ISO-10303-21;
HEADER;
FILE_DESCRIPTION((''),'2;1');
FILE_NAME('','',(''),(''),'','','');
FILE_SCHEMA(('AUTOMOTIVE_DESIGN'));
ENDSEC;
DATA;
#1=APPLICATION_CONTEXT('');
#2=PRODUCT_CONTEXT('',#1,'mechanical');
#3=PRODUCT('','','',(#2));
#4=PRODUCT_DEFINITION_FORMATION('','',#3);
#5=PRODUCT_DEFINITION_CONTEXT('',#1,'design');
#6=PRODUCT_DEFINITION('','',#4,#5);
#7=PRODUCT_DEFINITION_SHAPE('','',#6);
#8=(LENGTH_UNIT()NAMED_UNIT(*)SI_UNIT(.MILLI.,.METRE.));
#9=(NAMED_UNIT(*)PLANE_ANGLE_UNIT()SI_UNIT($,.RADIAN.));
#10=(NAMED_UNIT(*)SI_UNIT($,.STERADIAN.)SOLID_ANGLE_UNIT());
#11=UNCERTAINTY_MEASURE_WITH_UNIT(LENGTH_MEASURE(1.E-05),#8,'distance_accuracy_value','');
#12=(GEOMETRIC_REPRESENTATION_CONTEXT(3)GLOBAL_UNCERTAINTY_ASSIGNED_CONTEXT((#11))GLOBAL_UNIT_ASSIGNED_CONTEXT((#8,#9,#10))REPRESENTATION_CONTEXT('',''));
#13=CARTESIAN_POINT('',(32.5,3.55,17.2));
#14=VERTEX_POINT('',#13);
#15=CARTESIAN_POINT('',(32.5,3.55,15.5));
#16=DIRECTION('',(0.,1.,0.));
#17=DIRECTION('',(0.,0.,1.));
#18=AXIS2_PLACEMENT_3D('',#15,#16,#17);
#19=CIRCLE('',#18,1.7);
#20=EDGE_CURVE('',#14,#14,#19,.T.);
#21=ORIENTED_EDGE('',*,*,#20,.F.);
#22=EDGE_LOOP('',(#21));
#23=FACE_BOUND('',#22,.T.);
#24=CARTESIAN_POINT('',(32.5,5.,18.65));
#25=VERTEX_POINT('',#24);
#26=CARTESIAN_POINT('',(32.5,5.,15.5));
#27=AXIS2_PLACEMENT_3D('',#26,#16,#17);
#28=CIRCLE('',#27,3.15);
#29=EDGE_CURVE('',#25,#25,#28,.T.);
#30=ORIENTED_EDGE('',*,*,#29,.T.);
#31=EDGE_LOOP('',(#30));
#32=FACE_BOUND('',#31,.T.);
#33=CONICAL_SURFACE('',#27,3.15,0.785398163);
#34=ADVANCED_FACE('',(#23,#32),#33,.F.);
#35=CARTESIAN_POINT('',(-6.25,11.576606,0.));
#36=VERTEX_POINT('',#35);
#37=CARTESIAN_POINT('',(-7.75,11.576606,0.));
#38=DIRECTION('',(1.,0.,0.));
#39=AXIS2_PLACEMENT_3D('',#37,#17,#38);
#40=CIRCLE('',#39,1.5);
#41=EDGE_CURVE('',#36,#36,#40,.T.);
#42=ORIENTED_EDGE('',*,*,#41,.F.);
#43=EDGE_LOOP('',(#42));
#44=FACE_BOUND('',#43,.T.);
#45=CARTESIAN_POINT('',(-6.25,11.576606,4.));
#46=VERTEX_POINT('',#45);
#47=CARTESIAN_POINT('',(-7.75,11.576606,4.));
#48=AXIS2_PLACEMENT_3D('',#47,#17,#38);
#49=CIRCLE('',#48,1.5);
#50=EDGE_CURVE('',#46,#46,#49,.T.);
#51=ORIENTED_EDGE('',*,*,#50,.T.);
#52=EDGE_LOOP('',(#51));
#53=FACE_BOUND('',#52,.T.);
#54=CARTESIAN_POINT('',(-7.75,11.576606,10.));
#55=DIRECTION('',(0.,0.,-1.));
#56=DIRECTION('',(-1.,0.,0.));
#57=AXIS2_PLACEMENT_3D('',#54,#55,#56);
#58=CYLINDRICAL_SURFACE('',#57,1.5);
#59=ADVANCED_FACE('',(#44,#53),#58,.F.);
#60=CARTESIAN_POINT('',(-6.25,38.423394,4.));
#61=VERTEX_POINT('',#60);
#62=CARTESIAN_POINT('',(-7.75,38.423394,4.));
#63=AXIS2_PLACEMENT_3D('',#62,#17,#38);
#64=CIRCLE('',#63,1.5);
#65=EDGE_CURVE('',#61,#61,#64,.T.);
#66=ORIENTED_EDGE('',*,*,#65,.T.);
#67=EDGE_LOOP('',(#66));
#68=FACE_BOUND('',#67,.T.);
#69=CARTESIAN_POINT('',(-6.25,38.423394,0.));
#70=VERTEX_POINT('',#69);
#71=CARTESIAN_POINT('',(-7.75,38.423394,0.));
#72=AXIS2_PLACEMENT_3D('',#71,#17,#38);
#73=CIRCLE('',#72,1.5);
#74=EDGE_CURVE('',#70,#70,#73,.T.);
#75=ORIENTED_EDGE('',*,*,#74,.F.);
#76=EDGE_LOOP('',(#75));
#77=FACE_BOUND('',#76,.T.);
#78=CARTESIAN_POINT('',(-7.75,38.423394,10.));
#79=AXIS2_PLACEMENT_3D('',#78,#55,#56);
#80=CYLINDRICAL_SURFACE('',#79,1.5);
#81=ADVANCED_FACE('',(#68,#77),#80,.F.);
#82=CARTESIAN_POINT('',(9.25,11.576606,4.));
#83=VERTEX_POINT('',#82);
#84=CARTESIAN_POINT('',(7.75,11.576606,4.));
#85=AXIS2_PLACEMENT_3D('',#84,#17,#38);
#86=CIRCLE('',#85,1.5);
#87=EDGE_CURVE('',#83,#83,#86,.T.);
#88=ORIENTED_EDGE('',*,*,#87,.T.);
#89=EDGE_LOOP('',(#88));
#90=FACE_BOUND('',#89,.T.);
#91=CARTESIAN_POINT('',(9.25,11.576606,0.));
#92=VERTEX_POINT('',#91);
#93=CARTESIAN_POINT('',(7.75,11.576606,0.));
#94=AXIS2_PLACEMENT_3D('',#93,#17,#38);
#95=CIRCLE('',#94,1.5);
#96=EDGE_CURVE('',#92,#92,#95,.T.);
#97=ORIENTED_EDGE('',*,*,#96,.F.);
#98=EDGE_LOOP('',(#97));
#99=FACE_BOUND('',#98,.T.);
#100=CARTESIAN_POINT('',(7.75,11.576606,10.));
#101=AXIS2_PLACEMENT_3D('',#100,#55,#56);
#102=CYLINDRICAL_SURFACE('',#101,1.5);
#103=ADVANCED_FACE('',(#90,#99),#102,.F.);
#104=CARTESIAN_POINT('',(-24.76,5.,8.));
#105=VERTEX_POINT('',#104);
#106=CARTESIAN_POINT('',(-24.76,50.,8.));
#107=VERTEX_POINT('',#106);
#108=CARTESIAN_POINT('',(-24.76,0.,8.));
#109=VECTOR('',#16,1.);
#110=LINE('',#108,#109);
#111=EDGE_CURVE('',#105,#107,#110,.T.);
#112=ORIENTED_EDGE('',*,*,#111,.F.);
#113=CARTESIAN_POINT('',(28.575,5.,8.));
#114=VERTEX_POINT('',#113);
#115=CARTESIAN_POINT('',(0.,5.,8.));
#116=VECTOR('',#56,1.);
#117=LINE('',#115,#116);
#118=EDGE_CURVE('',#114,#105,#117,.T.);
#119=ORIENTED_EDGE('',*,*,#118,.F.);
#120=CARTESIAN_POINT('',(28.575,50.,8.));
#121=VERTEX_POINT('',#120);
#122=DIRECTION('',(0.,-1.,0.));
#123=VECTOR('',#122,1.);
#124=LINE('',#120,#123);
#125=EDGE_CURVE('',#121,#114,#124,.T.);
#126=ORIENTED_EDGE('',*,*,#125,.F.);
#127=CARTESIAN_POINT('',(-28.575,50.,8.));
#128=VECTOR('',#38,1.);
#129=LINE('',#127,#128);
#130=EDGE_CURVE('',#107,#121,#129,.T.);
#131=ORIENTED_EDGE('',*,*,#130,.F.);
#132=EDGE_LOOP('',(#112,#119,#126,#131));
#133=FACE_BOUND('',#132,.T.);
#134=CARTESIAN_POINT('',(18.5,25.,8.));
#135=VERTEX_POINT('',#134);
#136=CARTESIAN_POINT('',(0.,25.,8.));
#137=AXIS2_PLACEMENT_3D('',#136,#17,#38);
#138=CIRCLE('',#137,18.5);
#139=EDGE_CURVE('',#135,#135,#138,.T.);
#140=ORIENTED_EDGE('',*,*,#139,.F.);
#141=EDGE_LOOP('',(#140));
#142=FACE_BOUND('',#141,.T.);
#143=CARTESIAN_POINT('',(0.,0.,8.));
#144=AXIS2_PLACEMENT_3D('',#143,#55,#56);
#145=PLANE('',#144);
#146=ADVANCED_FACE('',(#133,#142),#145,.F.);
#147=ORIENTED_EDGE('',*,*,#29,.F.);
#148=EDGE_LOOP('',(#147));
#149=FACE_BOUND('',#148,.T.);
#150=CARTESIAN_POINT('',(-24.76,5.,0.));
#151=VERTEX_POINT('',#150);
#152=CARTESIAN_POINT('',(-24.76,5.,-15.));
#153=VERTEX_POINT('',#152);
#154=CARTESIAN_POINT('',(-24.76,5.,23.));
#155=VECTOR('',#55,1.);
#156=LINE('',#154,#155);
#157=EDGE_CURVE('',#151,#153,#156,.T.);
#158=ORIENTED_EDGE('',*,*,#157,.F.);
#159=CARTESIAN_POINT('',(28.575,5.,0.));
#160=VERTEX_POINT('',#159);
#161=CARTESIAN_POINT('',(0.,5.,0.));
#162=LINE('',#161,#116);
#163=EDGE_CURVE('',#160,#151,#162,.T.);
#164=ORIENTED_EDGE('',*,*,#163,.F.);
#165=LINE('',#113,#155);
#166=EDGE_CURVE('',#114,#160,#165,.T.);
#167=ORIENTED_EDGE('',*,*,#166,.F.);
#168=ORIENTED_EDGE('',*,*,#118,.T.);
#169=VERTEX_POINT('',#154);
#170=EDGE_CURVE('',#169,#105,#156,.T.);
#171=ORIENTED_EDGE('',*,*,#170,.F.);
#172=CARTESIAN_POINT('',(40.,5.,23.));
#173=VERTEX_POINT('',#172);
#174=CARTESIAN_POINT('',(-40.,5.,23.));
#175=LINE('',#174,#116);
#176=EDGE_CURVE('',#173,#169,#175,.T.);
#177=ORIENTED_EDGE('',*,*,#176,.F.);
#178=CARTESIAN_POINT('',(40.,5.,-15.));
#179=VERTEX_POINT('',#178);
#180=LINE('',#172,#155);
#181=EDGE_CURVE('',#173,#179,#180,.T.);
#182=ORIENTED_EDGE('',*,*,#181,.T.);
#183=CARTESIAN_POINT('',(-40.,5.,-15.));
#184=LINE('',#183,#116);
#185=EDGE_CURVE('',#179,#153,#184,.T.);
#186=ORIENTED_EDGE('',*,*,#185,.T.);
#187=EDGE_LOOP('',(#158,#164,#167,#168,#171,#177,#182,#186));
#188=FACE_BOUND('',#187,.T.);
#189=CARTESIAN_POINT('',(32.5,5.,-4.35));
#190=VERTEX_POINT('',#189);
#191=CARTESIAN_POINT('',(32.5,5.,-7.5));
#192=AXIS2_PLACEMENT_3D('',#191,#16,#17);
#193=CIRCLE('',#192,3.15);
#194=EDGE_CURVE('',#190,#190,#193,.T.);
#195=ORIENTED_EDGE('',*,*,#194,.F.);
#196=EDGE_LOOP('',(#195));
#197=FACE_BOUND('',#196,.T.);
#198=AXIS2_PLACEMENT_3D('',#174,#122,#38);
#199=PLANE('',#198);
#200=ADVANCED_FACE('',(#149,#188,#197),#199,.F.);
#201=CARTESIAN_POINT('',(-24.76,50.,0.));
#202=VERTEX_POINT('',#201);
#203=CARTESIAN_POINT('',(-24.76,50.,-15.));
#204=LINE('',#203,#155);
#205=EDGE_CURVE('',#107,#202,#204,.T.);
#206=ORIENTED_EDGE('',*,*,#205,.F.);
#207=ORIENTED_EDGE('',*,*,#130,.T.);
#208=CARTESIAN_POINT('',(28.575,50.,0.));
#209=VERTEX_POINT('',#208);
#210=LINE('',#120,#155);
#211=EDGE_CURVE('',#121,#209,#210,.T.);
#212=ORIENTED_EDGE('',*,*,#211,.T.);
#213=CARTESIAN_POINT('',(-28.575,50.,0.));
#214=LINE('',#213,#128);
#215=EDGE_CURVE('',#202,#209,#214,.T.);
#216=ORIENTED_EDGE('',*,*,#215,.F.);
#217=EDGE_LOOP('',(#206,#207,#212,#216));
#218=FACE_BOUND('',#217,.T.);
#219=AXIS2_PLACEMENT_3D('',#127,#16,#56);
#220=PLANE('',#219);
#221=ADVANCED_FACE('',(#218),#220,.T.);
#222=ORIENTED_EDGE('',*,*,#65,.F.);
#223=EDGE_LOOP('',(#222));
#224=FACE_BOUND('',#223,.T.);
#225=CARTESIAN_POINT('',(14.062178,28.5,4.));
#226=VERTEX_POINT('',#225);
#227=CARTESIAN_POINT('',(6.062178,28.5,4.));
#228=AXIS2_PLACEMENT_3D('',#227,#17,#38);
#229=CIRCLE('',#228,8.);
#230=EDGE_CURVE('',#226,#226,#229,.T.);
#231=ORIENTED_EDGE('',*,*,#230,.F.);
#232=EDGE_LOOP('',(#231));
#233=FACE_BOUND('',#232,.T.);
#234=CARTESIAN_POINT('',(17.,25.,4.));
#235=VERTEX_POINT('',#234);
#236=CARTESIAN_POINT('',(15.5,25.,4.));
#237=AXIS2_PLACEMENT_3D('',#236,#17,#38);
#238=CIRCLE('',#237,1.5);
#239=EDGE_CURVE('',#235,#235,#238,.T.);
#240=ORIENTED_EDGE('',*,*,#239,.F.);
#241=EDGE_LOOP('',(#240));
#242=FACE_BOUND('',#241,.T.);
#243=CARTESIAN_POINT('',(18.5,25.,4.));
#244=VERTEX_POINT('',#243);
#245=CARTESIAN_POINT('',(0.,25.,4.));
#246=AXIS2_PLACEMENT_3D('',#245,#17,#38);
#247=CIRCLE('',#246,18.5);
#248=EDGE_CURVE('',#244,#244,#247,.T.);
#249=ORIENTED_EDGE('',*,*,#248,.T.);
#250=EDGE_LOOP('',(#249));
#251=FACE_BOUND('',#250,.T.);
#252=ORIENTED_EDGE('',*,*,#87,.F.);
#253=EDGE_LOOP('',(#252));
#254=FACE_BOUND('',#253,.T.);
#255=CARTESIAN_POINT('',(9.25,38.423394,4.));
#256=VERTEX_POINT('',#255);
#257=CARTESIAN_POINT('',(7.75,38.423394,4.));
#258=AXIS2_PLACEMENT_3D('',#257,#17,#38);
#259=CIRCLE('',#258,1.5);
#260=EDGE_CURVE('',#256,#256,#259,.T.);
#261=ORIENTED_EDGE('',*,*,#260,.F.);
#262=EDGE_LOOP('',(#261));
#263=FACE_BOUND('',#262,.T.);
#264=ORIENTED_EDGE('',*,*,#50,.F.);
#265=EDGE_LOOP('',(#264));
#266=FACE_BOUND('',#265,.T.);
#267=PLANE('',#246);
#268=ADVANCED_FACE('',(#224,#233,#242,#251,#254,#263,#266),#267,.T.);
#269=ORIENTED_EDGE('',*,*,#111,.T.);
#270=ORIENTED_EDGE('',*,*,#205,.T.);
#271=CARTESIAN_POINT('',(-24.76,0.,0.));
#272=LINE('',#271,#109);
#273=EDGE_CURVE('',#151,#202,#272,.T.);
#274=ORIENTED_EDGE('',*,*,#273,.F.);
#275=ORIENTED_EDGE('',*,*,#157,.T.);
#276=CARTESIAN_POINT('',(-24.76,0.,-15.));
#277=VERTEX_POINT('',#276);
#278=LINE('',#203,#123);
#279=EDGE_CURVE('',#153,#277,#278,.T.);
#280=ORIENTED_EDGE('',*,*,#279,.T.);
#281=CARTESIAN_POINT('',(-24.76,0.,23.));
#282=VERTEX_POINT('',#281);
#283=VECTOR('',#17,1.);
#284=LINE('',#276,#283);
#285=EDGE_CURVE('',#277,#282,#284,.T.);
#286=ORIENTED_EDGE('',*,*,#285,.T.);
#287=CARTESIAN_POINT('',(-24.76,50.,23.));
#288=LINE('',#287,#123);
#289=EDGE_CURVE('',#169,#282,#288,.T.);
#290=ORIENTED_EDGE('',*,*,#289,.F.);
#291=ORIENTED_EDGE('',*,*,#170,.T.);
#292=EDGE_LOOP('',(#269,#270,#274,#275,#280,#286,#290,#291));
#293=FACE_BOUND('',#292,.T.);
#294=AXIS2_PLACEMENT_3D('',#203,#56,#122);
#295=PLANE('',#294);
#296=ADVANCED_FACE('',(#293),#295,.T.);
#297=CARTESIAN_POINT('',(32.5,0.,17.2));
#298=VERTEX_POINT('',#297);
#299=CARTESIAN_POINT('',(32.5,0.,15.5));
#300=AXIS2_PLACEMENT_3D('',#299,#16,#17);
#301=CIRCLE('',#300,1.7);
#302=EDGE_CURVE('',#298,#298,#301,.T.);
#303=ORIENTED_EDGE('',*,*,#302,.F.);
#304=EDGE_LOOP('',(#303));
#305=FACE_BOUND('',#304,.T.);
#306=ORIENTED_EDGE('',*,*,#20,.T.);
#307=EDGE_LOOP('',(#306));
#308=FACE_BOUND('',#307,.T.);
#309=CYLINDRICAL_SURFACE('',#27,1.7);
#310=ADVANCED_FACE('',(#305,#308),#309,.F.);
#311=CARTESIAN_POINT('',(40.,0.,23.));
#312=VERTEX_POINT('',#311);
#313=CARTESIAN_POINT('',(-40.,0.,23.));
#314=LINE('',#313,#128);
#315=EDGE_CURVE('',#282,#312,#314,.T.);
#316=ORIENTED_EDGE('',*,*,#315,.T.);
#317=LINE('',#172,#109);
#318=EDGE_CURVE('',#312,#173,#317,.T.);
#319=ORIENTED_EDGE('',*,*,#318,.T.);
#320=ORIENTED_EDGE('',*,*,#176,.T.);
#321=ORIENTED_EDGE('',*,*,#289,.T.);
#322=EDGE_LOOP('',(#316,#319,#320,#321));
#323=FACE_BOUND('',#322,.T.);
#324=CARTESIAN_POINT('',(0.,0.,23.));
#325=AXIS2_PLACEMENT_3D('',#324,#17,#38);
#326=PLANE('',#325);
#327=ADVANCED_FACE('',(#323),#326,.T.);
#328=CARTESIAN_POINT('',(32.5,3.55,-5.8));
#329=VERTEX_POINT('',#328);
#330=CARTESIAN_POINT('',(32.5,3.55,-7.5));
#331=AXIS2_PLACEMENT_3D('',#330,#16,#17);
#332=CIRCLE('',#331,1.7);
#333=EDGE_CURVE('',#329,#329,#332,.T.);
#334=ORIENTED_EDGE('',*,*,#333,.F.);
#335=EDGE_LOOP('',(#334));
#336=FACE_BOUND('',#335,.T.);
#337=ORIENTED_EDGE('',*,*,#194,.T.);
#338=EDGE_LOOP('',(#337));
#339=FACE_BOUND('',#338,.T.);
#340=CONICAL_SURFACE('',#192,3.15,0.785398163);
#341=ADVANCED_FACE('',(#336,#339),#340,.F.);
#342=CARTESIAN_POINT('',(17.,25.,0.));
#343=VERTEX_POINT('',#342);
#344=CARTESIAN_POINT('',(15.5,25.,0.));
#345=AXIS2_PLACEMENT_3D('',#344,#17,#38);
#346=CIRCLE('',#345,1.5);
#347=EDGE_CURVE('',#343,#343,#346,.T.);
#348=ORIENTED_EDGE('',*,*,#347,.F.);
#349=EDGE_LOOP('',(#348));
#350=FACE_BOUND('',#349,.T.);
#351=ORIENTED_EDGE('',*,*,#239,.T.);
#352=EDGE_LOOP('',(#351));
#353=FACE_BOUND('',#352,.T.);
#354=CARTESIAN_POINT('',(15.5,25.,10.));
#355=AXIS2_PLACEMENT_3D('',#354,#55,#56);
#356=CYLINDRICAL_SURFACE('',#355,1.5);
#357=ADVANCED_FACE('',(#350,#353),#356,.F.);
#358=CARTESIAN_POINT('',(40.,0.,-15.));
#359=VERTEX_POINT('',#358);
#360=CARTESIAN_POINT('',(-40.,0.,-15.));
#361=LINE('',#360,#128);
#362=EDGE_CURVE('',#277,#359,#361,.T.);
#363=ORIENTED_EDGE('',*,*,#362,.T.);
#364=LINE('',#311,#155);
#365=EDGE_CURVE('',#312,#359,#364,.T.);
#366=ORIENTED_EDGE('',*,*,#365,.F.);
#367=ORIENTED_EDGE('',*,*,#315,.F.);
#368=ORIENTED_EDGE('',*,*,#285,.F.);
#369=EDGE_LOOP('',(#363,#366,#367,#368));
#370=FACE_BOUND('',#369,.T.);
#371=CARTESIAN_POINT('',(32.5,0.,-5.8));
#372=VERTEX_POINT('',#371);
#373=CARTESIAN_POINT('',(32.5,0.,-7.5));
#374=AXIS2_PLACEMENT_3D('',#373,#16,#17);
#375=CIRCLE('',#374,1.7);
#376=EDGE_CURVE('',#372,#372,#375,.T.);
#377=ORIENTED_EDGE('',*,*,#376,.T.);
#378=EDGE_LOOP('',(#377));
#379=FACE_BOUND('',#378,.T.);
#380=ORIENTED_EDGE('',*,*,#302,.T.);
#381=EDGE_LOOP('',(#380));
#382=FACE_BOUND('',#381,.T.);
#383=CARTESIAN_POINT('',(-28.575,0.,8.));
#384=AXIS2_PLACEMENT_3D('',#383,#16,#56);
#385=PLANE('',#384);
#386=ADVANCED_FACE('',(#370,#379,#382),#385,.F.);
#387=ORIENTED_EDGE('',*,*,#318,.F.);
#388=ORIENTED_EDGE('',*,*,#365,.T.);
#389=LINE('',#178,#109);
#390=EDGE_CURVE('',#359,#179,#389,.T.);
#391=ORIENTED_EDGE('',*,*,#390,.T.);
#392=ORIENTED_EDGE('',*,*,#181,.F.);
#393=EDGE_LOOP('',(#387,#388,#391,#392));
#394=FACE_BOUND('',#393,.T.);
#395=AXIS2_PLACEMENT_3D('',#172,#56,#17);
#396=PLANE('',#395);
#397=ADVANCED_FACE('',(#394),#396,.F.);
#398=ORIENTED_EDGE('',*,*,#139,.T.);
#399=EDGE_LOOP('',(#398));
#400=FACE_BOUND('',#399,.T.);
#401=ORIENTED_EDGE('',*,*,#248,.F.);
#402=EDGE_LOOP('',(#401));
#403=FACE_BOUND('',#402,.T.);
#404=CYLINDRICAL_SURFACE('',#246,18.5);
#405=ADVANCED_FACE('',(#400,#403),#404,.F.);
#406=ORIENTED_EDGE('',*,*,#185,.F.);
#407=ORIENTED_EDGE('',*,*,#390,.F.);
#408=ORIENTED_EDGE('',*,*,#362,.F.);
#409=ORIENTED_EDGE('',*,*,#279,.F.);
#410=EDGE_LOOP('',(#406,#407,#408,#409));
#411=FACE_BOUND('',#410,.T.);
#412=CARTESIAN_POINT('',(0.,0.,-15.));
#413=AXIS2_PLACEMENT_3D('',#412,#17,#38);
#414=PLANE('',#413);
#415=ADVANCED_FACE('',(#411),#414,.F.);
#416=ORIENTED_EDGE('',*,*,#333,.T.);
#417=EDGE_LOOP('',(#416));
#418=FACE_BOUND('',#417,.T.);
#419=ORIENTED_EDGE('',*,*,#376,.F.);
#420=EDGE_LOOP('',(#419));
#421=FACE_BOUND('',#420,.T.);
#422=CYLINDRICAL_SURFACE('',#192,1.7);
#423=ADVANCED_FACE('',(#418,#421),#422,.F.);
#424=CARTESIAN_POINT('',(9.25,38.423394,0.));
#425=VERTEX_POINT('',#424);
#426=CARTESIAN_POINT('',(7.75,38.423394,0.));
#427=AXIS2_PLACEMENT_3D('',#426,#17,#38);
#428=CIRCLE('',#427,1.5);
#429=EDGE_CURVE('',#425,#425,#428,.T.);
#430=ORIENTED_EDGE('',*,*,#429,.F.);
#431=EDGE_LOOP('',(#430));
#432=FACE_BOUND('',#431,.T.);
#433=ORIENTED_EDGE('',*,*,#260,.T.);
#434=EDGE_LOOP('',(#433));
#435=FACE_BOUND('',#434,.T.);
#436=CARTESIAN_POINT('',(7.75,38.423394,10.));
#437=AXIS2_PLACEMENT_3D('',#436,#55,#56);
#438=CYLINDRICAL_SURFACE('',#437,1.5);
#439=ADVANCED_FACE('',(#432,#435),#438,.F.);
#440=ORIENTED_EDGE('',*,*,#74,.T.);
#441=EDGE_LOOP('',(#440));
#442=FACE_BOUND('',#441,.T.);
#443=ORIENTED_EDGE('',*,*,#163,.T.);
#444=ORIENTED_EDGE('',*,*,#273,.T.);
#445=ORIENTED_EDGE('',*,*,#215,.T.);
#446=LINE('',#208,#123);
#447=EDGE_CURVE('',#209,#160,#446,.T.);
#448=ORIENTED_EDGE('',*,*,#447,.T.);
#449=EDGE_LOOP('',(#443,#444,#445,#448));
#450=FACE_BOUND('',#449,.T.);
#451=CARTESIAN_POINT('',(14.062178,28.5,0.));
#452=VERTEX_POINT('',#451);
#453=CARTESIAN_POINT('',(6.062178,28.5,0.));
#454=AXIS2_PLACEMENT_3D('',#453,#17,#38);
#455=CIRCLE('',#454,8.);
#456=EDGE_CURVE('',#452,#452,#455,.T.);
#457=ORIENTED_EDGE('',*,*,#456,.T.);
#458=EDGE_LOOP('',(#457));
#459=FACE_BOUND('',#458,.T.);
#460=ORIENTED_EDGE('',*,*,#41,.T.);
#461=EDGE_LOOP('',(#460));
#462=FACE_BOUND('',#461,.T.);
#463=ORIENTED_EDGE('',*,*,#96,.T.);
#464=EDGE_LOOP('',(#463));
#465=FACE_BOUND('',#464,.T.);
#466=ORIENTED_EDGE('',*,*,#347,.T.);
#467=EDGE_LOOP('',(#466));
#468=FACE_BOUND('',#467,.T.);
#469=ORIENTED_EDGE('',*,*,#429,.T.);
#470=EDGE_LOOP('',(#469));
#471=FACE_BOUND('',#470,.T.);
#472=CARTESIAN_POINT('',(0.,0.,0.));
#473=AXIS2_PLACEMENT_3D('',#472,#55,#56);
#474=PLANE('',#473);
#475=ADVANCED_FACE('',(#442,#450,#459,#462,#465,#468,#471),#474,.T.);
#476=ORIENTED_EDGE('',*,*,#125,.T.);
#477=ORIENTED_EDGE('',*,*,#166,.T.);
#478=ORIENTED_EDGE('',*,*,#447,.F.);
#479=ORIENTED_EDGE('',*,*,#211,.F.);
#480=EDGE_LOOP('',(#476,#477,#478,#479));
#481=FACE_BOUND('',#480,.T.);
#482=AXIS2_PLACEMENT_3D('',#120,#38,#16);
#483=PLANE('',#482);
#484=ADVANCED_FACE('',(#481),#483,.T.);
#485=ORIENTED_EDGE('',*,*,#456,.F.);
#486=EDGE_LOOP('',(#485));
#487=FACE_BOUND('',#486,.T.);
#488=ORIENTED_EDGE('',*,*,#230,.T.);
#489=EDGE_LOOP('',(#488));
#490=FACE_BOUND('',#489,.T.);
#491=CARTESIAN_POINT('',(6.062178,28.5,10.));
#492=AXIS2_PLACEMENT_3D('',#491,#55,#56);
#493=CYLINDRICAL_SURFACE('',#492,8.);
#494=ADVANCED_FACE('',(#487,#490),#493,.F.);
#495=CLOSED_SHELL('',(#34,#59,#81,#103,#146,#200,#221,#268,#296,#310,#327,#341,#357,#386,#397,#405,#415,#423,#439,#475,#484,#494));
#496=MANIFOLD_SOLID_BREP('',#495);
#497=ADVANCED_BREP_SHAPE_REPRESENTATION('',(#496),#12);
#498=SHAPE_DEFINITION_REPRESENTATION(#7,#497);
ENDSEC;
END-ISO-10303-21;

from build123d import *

# Parameters (mm, degrees)
SKETCH3_W                                       = 57.15
SKETCH3_H                                       = 50
BOSS_EXTRUDE1_DEPTH                             = 8
SKETCH3_3_R                                     = 1.5
SKETCH3_3_R_2                                   = 8
CUT_EXTRUDE2_DEPTH                              = 10
SKETCH4_R                                       = 18.5
CUT_EXTRUDE3_DEPTH                              = 4
BOSS_EXTRUDE2_DEPTH                             = 15
BOSS_EXTRUDE2_DEPTH_BACK                        = 23
SKETCH6_W                                       = 80
SKETCH6_H                                       = 5
CSK_FOR_M3_FLAT_HEAD_MACHINE_SCREW1_D           = 3.4
CSK_FOR_M3_FLAT_HEAD_MACHINE_SCREW1_CSINK_D     = 6.3
CSK_FOR_M3_FLAT_HEAD_MACHINE_SCREW1_CSINK_ANGLE = 90
CUT_EXTRUDE8_REACH                              = 66.452
SKETCH14_W                                      = 15.24
SKETCH14_H                                      = 38
CUT_EXTRUDE8_DIRECTION_2_DEPTH                  = 45


with BuildPart() as part:
    # Sketch3 → Boss-Extrude1 (new body)
    with BuildSketch(Plane.XY):
        with Locations((0, 25)):
            Rectangle(SKETCH3_W, SKETCH3_H)
    extrude(amount=BOSS_EXTRUDE1_DEPTH)

    # Sketch3<3> → Cut-Extrude2 (cut)
    with BuildSketch(Plane.XY):
        with Locations(Location((-7.75, 38.423393759, 0), (0, 0, 180))):
            Circle(SKETCH3_3_R)
        with Locations(Location((7.75, 38.423393759, 0), (0, 0, 180))):
            Circle(SKETCH3_3_R)
        with Locations(Location((-7.75, 11.576606241, 0), (0, 0, 180))):
            Circle(SKETCH3_3_R)
        with Locations(Location((7.75, 11.576606241, 0), (0, 0, 180))):
            Circle(SKETCH3_3_R)
        with Locations(Location((15.5, 25, 0), (0, 0, 180))):
            Circle(SKETCH3_3_R)
        with Locations(Location((6.062177825, 28.499999999, 0), (0, 0, 180))):
            Circle(SKETCH3_3_R_2)
    extrude(amount=CUT_EXTRUDE2_DEPTH, mode=Mode.SUBTRACT)

    # Sketch4 → Cut-Extrude3 (cut)
    with BuildSketch(Plane.XY.offset(8)):
        with Locations((0, 25)):
            Circle(SKETCH4_R)
    extrude(amount=-CUT_EXTRUDE3_DEPTH, mode=Mode.SUBTRACT)

    # Sketch6 → Boss-Extrude2 (add, two sides: drawn at the far end of the back side and taken through both)
    with BuildSketch(Plane.XY.offset(8).offset(-BOSS_EXTRUDE2_DEPTH_BACK)):
        with Locations((0, 2.5)):
            Rectangle(SKETCH6_W, SKETCH6_H)
    extrude(amount=BOSS_EXTRUDE2_DEPTH + BOSS_EXTRUDE2_DEPTH_BACK)

    # CSK for M3 Flat Head Machine Screw1 (through all)
    with Locations(Plane(origin=(0, 5, 0), x_dir=(1, 0, 0), z_dir=(0, 1, 0))):
        with Locations((-32.5, 7.5), (-32.5, -15.5), (32.5, -15.5), (32.5, 7.5)):
            CounterSinkHole(CSK_FOR_M3_FLAT_HEAD_MACHINE_SCREW1_D / 2, CSK_FOR_M3_FLAT_HEAD_MACHINE_SCREW1_CSINK_D / 2, counter_sink_angle=CSK_FOR_M3_FLAT_HEAD_MACHINE_SCREW1_CSINK_ANGLE)

    # Sketch14 → Cut-Extrude8 (cut, up to next)
    with BuildSketch(Plane(origin=(0, 5, 0), x_dir=(1, 0, 0), z_dir=(0, 1, 0)), mode=Mode.PRIVATE) as cut_extrude8_sk1:
        with Locations((-32.38, -4)):
            Rectangle(SKETCH14_W, SKETCH14_H)
    cut_extrude8_tool1 = extrude(cut_extrude8_sk1.sketch, amount=-CUT_EXTRUDE8_REACH, mode=Mode.PRIVATE) & part.part
    add(cut_extrude8_tool1.solids().sort_by_distance((-32.38, 5, 4))[0], mode=Mode.SUBTRACT)

    # Sketch14 → Cut-Extrude8 direction 2 (cut)
    with BuildSketch(Plane(origin=(0, 5, 0), x_dir=(1, 0, 0), z_dir=(0, 1, 0))):
        with Locations((-32.38, -4)):
            Rectangle(SKETCH14_W, SKETCH14_H)
    extrude(amount=CUT_EXTRUDE8_DIRECTION_2_DEPTH, mode=Mode.SUBTRACT)


solid = part.part
